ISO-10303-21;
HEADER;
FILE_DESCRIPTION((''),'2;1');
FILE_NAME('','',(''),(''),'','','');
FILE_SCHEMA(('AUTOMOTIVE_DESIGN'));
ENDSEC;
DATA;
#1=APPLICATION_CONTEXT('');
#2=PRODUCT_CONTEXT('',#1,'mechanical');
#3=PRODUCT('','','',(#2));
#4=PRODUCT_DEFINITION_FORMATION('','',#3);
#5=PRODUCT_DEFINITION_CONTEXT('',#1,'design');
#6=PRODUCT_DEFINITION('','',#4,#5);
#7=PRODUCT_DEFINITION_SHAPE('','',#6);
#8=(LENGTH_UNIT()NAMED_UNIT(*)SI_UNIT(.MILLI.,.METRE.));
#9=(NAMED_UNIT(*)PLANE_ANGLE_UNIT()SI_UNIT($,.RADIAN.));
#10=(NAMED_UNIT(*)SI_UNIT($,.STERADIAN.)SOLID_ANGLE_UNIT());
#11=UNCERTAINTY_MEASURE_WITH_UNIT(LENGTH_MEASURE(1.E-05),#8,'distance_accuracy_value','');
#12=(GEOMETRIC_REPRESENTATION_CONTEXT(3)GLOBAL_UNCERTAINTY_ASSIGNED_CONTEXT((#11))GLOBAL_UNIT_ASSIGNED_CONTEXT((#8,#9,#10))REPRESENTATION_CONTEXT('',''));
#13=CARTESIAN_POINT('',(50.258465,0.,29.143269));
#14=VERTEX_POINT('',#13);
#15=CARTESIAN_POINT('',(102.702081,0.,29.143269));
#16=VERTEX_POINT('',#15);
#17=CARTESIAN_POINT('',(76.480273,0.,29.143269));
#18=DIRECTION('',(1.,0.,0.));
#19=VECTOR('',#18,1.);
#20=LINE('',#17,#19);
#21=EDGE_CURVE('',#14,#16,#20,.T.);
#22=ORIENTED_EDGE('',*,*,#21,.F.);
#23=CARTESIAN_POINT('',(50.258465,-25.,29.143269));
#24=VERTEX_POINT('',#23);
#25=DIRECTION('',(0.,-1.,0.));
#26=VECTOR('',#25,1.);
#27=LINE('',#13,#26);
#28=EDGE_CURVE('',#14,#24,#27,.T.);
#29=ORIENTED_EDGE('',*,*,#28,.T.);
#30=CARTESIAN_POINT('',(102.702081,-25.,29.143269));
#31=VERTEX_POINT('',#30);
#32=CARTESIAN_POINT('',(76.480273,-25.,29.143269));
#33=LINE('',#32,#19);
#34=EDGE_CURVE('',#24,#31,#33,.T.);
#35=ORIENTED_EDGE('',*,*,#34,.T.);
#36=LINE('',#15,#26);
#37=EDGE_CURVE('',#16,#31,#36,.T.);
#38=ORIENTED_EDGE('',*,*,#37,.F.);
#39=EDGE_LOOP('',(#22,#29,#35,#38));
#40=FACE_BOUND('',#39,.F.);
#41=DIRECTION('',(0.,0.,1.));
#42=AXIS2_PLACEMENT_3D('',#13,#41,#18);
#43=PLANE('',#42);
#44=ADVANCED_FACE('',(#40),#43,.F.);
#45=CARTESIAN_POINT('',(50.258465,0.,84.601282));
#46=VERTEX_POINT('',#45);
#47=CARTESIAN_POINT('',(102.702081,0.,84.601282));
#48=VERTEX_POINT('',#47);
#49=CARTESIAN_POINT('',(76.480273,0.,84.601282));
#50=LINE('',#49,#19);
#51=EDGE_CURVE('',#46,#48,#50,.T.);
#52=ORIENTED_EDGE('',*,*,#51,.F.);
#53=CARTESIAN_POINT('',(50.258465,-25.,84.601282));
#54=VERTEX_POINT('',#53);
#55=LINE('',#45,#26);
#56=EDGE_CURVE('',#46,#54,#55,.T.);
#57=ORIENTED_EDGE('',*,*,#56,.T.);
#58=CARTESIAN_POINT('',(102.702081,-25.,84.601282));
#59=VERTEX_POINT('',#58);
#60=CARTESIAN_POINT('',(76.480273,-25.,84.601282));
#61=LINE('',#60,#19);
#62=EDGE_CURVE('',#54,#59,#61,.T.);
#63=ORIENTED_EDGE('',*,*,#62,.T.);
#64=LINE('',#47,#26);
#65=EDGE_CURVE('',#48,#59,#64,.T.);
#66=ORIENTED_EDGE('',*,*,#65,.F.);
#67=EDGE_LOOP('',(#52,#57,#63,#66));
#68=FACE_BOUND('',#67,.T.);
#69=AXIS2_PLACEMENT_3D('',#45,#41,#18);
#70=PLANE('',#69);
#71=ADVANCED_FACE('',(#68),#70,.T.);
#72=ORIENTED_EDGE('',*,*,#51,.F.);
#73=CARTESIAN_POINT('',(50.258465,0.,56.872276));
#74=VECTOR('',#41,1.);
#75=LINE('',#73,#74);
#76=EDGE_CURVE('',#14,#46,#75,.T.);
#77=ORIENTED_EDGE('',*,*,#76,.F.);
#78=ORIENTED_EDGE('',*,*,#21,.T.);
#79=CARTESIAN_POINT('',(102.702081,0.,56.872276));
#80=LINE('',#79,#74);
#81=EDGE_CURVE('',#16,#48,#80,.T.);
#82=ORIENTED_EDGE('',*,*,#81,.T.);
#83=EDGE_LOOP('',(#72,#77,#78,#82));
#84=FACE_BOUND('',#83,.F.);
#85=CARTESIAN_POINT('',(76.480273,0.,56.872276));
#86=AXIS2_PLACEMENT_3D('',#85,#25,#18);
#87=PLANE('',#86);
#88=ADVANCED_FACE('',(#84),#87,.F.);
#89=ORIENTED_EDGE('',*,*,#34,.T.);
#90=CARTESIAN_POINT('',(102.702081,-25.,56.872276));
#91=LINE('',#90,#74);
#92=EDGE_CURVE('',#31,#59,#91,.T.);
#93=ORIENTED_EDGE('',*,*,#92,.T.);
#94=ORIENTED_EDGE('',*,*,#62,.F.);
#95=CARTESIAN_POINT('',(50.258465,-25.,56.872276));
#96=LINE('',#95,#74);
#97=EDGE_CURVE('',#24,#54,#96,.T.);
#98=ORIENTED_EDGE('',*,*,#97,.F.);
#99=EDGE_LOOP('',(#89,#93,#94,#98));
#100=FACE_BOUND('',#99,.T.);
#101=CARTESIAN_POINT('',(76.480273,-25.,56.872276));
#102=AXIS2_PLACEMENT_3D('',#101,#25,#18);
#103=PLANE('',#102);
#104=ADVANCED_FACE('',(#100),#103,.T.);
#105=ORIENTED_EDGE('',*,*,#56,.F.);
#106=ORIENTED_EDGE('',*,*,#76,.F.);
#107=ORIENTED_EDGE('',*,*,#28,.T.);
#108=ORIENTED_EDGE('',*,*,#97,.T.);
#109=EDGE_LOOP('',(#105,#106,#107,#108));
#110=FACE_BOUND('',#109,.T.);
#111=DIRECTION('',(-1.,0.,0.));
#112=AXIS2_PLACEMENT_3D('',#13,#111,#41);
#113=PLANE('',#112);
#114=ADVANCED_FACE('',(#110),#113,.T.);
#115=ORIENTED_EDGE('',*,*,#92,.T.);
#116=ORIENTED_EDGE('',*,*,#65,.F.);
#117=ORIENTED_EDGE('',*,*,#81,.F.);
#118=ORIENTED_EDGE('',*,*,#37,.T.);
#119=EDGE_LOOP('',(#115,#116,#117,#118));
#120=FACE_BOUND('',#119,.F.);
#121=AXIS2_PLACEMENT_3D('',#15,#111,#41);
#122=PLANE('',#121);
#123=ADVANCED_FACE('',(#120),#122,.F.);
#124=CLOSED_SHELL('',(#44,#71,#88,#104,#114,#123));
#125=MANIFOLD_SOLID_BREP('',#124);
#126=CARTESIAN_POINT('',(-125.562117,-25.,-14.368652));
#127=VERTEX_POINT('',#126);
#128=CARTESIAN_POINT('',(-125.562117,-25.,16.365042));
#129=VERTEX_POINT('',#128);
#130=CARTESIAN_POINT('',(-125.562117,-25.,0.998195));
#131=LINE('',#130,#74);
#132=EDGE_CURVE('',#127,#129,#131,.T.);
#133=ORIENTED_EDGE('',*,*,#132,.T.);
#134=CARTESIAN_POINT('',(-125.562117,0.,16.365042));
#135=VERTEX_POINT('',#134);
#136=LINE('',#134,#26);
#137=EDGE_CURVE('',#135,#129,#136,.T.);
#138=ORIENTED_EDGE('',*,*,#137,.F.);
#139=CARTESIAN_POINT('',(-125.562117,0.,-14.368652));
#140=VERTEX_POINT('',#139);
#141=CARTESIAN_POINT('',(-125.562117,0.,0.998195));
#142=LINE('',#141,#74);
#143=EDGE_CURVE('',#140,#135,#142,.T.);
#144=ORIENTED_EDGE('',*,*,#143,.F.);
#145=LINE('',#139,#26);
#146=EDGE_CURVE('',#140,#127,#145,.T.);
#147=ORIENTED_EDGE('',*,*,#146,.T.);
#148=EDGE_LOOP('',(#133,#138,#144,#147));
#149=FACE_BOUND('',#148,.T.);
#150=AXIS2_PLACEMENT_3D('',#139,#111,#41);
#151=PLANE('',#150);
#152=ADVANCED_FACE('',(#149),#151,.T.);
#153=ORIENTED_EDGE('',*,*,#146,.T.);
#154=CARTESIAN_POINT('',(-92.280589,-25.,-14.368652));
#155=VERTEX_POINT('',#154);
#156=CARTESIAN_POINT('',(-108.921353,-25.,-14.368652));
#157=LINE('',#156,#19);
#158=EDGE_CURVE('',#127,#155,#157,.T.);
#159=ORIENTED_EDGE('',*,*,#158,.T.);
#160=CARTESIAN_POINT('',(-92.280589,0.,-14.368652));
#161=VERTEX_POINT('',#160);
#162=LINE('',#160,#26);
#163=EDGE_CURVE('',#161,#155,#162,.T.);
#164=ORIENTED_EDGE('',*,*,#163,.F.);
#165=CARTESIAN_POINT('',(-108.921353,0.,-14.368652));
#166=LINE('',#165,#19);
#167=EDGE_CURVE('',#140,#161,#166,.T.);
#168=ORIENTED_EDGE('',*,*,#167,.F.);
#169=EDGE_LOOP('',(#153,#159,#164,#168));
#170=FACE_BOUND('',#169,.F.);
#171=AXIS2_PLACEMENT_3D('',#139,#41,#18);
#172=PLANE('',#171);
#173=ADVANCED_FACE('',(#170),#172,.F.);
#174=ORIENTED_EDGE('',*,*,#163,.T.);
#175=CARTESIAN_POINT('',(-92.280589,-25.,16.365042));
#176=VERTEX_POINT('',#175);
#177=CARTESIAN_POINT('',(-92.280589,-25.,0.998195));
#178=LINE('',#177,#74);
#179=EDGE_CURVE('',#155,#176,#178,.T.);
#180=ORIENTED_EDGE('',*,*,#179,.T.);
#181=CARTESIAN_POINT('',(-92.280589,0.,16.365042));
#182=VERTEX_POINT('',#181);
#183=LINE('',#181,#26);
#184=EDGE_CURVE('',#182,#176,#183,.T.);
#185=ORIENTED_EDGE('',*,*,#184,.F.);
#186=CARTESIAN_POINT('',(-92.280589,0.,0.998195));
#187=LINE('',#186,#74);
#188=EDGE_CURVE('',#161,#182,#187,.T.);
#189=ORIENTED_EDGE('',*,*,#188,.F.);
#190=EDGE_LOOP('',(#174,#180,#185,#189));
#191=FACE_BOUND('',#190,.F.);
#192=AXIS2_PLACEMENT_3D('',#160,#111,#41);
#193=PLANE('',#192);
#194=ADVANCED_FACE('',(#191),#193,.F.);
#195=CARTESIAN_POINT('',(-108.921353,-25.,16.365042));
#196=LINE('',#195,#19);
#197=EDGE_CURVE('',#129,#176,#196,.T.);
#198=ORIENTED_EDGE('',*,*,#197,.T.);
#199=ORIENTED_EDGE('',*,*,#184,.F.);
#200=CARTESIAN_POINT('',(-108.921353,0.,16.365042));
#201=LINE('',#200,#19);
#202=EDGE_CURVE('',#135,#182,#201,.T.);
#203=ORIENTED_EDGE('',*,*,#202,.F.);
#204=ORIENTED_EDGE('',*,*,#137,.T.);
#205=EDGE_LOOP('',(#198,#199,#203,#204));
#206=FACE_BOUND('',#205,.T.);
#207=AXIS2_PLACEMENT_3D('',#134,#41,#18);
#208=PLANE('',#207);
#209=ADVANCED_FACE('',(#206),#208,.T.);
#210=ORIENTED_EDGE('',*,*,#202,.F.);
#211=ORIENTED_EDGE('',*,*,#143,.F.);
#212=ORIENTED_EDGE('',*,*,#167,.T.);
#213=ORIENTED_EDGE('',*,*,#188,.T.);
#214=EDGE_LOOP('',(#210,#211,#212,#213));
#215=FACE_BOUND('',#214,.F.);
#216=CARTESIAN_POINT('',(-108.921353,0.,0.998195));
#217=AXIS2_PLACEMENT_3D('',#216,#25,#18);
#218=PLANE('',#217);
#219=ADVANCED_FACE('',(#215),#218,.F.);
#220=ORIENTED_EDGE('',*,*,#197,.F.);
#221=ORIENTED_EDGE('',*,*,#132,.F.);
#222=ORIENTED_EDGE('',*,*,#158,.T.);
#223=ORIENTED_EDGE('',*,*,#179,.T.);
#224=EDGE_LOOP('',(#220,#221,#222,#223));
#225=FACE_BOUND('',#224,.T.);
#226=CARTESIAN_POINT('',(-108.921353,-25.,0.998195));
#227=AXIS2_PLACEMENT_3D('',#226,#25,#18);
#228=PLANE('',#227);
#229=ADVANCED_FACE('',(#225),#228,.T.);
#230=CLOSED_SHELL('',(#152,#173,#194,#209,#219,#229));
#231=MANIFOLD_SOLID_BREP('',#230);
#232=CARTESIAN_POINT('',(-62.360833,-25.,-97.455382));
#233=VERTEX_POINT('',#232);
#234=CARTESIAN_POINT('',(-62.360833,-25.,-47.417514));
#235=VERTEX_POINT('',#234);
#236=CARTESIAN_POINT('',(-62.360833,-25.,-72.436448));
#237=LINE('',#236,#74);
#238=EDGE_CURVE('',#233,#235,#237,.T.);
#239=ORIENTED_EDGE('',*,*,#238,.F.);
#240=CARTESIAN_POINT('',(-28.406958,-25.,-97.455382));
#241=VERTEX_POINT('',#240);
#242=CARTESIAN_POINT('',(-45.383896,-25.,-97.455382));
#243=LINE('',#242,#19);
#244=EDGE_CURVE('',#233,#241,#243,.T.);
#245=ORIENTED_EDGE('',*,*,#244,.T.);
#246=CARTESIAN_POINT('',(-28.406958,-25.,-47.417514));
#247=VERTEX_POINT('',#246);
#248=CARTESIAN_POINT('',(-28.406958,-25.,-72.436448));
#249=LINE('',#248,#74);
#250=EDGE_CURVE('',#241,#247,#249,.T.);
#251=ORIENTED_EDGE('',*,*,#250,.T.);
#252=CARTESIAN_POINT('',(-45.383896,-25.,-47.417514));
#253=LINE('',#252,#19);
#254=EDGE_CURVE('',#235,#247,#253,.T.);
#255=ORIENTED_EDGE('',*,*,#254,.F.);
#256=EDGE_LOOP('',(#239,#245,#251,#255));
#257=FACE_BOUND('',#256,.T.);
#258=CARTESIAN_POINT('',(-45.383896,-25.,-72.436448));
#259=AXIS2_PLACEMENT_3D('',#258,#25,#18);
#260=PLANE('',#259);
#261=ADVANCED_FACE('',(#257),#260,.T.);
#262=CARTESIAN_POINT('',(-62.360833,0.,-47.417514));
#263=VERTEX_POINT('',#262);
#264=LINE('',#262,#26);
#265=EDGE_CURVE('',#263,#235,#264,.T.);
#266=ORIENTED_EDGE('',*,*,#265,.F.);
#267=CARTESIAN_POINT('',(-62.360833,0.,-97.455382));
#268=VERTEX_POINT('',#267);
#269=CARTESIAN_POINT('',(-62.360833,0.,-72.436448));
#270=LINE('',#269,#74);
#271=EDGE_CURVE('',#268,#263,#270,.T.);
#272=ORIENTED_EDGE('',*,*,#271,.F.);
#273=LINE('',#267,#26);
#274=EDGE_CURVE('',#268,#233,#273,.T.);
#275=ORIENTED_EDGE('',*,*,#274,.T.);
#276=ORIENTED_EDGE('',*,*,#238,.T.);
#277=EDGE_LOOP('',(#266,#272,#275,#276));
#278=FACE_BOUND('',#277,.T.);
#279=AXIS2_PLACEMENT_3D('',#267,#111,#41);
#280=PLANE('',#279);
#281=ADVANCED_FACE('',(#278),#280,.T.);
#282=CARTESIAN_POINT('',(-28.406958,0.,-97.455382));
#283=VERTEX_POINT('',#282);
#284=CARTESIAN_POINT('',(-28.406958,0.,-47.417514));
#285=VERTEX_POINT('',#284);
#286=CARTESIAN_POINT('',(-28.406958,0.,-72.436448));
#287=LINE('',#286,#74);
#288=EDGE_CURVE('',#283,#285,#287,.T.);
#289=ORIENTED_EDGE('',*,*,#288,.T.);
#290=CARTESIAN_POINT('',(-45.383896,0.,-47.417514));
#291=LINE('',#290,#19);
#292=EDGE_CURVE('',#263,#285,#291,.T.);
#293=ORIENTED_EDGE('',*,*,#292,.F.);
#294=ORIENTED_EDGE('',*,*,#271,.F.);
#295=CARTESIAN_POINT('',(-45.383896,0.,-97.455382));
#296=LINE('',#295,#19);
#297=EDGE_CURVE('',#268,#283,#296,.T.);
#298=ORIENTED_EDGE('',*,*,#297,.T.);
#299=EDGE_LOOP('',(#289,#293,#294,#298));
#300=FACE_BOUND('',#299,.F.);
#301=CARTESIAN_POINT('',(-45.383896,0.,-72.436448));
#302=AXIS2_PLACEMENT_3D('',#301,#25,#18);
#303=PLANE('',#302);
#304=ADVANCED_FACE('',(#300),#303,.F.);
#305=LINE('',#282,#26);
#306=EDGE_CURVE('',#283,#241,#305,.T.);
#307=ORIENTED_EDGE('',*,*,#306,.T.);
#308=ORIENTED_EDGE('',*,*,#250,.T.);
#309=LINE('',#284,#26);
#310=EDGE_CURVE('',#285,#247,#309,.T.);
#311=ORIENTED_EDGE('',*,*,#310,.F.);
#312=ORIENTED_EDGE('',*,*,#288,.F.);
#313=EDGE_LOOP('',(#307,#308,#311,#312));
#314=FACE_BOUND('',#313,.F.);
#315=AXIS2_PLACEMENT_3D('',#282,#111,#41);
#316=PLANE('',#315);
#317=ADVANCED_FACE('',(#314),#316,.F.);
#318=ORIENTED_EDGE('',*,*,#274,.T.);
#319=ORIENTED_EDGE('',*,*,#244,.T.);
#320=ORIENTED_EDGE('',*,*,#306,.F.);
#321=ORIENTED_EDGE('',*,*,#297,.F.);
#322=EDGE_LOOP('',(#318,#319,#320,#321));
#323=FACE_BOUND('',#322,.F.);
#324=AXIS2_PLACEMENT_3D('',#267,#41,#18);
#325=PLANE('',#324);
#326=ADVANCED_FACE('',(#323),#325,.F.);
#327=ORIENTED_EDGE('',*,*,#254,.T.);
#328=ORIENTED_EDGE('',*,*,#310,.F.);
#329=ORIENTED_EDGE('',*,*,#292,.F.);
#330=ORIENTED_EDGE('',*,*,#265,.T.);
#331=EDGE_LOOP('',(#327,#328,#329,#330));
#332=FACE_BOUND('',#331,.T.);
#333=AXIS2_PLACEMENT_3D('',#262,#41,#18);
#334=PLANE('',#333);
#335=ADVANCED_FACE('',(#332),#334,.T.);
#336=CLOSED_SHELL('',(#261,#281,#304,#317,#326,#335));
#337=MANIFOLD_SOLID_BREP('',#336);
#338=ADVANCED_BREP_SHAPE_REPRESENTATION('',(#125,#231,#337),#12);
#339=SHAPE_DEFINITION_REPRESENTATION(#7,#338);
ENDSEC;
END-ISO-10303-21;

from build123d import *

# Parameters (mm, degrees)
F0_W     = 33.281528
F0_H     = 30.733693
F1_DEPTH = 25
F0_W_2   = 33.953875
F0_H_2   = 50.037868
F2_DEPTH = 25
F0_W_3   = 52.443616
F0_H_3   = 55.458013
F3_DEPTH = 25


with BuildPart() as f1:
    # F0 (on Front) → F1 (new body)
    with BuildSketch(Plane.XZ):
        with Locations((-108.921353, 0.998195)):
            Rectangle(F0_W, F0_H)
    extrude(amount=F1_DEPTH)


with BuildPart() as f2:
    # F0 (on Front) → F2 (new body)
    with BuildSketch(Plane.XZ):
        with Locations((-45.383896, -72.436448)):
            Rectangle(F0_W_2, F0_H_2)
    extrude(amount=F2_DEPTH)


with BuildPart() as f3:
    # F0 (on Front) → F3 (new body)
    with BuildSketch(Plane.XZ):
        with Locations((76.480273, 56.872276)):
            Rectangle(F0_W_3, F0_H_3)
    extrude(amount=F3_DEPTH)


solid = Compound([f1.part, f2.part, f3.part])
